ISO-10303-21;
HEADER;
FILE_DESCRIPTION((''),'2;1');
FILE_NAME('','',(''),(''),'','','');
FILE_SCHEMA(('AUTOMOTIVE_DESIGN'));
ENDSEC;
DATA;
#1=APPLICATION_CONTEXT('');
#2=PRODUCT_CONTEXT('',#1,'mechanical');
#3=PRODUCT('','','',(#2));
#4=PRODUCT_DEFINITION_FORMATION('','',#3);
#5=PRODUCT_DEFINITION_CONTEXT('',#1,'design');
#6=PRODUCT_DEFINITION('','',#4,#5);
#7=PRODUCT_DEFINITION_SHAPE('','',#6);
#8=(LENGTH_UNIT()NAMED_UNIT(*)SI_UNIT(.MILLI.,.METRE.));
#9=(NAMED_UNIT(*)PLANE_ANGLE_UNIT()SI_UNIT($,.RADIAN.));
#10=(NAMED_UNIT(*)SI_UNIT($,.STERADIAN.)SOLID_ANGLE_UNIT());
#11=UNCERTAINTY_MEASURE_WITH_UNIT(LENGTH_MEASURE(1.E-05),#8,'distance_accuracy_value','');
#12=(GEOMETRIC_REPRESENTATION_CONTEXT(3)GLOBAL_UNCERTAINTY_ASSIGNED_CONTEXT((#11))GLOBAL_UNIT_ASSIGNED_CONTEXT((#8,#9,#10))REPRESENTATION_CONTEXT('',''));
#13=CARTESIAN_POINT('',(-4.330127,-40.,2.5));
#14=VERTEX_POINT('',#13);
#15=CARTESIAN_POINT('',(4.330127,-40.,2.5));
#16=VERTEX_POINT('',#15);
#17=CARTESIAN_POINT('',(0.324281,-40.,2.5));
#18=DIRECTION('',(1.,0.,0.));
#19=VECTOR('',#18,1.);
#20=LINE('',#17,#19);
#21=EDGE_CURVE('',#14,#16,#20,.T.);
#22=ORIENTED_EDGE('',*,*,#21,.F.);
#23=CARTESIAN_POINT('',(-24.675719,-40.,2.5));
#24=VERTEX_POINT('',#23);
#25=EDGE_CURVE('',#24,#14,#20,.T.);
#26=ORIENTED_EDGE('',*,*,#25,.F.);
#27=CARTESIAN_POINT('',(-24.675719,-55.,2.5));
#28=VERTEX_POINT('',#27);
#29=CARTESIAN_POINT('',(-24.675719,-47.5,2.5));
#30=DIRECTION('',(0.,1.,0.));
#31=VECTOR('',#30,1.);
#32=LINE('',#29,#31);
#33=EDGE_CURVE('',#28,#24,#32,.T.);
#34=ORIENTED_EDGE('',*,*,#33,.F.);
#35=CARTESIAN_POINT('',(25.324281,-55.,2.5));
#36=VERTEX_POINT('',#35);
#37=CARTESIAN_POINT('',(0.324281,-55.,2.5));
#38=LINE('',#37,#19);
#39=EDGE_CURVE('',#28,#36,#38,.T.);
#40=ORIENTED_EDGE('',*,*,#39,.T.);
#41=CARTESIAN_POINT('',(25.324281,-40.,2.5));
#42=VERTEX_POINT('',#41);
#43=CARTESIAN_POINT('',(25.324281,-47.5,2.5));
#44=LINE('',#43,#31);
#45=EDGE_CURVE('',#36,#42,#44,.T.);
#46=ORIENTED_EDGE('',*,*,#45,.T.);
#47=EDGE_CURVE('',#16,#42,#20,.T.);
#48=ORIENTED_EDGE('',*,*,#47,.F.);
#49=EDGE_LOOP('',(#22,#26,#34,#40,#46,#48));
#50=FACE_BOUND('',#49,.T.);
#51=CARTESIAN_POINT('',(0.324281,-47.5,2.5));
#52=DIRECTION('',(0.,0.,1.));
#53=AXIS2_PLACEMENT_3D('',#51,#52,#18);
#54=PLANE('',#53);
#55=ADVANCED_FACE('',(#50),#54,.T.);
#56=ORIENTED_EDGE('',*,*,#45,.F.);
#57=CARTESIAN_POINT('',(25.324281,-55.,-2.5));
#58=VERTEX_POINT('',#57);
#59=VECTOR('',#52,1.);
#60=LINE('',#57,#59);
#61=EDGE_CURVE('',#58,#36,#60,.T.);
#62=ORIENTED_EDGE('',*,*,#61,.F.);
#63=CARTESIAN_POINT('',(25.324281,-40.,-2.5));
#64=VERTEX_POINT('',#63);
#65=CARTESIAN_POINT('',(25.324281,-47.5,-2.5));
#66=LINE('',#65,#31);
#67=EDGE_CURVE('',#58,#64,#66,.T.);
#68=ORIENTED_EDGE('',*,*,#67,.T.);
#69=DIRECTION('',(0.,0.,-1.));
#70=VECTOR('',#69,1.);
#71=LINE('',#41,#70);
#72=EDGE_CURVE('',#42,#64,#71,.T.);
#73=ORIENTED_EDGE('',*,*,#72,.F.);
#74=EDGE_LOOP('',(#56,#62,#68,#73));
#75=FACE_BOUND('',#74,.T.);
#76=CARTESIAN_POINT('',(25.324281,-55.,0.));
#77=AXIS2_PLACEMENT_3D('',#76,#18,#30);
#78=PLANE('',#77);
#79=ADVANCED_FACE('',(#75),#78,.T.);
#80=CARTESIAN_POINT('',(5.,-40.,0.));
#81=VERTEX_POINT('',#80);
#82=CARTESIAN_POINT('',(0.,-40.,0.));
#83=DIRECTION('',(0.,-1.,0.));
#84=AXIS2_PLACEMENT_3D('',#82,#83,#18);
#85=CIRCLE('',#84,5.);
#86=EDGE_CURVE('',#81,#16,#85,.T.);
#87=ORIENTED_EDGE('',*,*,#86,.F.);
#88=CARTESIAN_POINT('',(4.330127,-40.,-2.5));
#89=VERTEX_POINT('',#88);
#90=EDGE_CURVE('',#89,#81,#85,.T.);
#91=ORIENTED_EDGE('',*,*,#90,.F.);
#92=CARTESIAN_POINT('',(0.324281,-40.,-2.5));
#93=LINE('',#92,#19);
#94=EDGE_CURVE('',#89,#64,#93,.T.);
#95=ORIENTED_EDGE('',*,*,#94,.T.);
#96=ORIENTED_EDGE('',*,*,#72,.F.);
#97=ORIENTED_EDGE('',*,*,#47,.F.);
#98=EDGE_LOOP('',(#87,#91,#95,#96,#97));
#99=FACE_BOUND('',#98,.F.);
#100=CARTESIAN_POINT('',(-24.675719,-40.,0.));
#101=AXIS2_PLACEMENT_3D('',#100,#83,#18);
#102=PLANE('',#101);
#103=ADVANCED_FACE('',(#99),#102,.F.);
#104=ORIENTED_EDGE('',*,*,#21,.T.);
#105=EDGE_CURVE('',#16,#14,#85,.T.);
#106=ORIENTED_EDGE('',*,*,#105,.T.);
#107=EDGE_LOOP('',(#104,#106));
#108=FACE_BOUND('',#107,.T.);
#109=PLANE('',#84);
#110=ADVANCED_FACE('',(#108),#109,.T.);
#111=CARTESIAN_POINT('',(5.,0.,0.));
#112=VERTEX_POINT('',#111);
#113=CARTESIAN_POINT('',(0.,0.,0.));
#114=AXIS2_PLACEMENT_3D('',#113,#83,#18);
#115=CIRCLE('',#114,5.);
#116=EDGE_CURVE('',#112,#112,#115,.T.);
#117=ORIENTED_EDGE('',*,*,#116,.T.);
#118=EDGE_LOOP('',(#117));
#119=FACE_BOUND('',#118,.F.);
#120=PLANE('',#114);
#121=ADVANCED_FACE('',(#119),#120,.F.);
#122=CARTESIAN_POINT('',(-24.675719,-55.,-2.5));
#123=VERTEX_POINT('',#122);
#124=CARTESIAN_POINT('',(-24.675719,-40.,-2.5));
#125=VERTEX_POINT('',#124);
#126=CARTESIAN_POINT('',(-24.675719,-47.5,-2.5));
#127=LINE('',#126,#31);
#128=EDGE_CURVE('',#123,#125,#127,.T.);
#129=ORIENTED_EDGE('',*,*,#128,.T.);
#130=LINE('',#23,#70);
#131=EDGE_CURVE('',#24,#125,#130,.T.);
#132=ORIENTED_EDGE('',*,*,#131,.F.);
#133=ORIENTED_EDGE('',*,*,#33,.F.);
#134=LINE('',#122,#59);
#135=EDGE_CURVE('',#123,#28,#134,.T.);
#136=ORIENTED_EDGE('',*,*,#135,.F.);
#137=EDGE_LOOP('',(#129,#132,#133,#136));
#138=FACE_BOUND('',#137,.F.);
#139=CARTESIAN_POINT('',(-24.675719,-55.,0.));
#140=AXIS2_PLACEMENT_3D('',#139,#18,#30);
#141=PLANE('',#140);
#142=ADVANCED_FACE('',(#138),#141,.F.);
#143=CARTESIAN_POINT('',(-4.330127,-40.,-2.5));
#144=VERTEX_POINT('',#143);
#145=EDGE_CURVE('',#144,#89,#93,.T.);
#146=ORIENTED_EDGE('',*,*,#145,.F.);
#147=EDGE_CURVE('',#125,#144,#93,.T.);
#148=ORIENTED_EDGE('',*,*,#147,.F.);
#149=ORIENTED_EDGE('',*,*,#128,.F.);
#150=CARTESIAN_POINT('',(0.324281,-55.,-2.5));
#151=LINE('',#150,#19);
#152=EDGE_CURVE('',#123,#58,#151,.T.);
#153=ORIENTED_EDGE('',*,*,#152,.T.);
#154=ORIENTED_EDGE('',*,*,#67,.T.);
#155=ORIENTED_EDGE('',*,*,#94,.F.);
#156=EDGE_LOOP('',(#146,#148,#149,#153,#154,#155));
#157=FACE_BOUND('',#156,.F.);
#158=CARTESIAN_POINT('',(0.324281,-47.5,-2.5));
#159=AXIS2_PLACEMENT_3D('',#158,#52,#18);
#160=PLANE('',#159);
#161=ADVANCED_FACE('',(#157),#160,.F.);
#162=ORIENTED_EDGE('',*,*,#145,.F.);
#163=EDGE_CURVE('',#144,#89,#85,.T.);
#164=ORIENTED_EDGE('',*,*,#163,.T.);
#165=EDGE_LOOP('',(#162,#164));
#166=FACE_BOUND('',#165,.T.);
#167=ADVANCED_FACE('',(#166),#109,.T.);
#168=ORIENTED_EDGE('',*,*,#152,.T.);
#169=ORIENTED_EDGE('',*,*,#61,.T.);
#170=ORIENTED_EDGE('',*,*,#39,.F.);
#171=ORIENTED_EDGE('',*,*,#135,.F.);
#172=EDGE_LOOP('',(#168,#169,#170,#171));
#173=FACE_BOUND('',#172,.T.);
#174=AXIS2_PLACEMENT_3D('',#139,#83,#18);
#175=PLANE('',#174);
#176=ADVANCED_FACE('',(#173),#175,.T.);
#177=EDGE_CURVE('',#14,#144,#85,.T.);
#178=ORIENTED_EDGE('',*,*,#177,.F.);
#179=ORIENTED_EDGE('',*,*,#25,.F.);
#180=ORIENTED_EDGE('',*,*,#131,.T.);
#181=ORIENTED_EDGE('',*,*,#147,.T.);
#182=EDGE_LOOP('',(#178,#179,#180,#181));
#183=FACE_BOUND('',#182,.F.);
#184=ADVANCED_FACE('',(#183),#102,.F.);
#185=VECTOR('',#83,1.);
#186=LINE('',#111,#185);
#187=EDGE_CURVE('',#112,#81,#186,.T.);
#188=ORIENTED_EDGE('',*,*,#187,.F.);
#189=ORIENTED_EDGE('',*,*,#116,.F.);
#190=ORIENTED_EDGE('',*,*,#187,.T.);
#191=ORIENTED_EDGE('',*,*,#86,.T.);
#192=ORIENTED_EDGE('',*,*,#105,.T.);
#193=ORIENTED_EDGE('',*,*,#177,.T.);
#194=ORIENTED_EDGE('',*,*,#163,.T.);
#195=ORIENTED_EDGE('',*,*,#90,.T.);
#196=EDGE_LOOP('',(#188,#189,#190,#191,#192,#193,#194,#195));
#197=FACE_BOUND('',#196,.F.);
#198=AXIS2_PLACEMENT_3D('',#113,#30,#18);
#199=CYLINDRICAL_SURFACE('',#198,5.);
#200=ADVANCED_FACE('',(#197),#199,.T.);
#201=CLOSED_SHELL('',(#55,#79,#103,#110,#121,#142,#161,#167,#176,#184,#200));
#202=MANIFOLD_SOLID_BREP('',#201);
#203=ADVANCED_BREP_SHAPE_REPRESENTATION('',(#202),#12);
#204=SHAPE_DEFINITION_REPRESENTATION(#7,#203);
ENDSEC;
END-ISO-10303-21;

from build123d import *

# Parameters (mm, degrees)
F0_R     = 5
F1_DEPTH = 40
F2_W     = 50
F2_H     = 15
F3_DEPTH = 2.5


with BuildPart() as f1:
    # F0 (on Front) → F1 (new body)
    with BuildSketch(Plane.XZ):
        Circle(F0_R)
    extrude(amount=F1_DEPTH)

    # F2 (on Top) → F3 (join, symmetric)
    with BuildSketch(Plane.XY):
        with Locations((0.324281, -47.5)):
            Rectangle(F2_W, F2_H)
    extrude(amount=F3_DEPTH, both=True)


solid = f1.part
